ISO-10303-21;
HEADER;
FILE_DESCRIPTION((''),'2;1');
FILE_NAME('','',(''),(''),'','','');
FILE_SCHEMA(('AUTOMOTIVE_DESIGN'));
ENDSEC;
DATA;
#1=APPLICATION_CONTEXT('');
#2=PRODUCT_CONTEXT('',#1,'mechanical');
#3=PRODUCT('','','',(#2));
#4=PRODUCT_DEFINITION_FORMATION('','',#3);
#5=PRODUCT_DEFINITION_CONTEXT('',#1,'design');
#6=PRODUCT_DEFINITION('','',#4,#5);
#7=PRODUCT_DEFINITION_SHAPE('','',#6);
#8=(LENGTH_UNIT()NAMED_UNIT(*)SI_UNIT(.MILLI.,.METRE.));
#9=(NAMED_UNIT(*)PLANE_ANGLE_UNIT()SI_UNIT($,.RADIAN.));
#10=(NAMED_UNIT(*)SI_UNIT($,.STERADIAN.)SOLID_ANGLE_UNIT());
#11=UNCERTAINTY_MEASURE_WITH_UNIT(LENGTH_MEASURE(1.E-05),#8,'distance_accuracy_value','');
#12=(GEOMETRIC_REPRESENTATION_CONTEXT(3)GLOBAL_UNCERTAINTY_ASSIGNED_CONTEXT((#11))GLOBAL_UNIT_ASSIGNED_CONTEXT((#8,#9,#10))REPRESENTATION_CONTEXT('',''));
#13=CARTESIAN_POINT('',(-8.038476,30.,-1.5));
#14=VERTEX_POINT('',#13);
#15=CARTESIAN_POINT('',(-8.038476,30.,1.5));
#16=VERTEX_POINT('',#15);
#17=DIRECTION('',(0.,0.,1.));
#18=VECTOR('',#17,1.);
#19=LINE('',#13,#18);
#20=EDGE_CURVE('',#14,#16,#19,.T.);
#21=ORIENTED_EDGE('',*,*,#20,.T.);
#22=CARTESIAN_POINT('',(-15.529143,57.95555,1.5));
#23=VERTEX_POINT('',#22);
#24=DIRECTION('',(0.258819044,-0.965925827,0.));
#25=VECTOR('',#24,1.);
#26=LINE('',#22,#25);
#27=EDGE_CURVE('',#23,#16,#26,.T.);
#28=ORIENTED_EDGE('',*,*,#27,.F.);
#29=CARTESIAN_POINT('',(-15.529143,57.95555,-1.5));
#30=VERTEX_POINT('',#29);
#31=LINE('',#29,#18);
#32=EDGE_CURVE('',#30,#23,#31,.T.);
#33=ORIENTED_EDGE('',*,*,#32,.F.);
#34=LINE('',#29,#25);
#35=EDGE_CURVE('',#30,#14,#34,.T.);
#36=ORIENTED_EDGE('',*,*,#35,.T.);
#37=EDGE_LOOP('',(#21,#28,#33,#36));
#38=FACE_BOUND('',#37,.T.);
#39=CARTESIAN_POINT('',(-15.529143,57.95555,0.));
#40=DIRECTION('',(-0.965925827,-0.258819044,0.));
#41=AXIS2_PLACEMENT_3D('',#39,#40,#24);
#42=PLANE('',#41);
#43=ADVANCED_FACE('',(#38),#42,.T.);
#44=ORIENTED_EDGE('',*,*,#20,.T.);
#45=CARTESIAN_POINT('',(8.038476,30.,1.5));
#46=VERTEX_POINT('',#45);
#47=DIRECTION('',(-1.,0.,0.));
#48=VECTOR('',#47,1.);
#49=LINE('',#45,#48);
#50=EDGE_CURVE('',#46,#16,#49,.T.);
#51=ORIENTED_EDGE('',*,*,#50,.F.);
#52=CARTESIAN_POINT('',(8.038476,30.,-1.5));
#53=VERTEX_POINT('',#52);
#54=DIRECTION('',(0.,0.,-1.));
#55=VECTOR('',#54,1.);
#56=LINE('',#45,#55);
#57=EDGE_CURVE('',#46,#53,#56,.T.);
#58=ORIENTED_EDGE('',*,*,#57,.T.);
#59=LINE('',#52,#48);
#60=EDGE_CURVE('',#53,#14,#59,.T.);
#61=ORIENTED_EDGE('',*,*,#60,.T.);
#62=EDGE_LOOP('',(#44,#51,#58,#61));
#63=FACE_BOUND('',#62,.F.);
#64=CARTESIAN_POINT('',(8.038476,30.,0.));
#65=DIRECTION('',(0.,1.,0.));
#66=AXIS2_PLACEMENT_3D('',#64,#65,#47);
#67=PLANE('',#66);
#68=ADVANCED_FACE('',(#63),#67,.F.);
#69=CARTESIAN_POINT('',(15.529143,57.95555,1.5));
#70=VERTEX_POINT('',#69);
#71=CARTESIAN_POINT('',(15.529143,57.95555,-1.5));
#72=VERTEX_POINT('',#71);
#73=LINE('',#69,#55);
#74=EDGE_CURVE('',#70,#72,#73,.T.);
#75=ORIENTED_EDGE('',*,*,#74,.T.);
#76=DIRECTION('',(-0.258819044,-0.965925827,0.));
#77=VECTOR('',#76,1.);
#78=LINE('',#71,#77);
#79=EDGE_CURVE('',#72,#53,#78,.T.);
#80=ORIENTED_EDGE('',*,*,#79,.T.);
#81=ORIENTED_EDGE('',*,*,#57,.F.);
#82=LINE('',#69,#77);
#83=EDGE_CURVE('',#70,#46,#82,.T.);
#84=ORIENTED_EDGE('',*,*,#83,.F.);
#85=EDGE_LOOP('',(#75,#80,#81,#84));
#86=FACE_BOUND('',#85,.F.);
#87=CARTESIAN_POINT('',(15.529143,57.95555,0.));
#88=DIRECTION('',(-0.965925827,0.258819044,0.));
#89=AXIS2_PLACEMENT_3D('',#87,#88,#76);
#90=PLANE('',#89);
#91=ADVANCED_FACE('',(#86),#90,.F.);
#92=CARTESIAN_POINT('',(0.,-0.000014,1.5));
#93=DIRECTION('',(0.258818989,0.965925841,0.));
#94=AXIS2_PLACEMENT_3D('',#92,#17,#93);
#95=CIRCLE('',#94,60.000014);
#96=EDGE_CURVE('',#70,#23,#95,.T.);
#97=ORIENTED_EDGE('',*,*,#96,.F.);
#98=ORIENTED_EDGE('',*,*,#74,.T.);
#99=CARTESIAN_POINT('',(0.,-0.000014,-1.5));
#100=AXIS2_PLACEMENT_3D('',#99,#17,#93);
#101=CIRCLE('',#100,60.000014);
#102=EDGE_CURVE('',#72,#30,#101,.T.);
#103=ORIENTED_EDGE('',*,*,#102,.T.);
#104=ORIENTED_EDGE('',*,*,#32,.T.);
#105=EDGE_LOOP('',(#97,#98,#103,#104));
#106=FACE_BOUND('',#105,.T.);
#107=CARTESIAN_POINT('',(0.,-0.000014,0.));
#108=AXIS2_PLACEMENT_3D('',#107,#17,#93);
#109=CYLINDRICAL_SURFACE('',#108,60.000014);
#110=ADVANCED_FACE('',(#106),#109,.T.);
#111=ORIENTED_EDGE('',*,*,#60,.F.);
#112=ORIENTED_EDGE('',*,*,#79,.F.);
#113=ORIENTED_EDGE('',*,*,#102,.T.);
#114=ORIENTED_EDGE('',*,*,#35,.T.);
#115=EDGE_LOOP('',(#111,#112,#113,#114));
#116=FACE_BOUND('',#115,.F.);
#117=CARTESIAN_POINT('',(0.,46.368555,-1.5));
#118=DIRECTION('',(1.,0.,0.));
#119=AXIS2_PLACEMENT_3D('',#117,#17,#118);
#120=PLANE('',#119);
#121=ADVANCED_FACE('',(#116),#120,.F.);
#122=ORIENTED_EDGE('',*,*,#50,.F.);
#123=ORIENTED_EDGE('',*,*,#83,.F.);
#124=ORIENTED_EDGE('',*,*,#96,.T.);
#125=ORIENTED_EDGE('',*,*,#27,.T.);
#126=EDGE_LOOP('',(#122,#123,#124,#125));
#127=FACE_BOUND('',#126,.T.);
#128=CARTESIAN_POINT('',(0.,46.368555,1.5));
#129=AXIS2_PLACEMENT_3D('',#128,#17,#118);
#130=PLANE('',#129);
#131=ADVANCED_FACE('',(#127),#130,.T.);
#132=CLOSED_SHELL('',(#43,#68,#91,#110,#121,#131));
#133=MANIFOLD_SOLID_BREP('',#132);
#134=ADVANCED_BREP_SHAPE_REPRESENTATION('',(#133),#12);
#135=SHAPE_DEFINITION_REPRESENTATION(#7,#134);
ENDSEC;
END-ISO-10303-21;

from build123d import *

# Parameters (mm, degrees)
EXTRUDE_DEPTH = 1.5


with BuildPart() as part:
    # Sketch → Extrude (new body, symmetric)
    with BuildSketch(Plane.XY):
        with BuildLine():
            ThreePointArc((15.529143, 57.95555), (0, 60), (-15.529143, 57.95555))
            Line((-15.529143, 57.95555), (-8.038476, 30))
            Line((8.038476, 30), (-8.038476, 30))
            Line((15.529143, 57.95555), (8.038476, 30))
        make_face()
    extrude(amount=EXTRUDE_DEPTH, both=True)


solid = part.part
